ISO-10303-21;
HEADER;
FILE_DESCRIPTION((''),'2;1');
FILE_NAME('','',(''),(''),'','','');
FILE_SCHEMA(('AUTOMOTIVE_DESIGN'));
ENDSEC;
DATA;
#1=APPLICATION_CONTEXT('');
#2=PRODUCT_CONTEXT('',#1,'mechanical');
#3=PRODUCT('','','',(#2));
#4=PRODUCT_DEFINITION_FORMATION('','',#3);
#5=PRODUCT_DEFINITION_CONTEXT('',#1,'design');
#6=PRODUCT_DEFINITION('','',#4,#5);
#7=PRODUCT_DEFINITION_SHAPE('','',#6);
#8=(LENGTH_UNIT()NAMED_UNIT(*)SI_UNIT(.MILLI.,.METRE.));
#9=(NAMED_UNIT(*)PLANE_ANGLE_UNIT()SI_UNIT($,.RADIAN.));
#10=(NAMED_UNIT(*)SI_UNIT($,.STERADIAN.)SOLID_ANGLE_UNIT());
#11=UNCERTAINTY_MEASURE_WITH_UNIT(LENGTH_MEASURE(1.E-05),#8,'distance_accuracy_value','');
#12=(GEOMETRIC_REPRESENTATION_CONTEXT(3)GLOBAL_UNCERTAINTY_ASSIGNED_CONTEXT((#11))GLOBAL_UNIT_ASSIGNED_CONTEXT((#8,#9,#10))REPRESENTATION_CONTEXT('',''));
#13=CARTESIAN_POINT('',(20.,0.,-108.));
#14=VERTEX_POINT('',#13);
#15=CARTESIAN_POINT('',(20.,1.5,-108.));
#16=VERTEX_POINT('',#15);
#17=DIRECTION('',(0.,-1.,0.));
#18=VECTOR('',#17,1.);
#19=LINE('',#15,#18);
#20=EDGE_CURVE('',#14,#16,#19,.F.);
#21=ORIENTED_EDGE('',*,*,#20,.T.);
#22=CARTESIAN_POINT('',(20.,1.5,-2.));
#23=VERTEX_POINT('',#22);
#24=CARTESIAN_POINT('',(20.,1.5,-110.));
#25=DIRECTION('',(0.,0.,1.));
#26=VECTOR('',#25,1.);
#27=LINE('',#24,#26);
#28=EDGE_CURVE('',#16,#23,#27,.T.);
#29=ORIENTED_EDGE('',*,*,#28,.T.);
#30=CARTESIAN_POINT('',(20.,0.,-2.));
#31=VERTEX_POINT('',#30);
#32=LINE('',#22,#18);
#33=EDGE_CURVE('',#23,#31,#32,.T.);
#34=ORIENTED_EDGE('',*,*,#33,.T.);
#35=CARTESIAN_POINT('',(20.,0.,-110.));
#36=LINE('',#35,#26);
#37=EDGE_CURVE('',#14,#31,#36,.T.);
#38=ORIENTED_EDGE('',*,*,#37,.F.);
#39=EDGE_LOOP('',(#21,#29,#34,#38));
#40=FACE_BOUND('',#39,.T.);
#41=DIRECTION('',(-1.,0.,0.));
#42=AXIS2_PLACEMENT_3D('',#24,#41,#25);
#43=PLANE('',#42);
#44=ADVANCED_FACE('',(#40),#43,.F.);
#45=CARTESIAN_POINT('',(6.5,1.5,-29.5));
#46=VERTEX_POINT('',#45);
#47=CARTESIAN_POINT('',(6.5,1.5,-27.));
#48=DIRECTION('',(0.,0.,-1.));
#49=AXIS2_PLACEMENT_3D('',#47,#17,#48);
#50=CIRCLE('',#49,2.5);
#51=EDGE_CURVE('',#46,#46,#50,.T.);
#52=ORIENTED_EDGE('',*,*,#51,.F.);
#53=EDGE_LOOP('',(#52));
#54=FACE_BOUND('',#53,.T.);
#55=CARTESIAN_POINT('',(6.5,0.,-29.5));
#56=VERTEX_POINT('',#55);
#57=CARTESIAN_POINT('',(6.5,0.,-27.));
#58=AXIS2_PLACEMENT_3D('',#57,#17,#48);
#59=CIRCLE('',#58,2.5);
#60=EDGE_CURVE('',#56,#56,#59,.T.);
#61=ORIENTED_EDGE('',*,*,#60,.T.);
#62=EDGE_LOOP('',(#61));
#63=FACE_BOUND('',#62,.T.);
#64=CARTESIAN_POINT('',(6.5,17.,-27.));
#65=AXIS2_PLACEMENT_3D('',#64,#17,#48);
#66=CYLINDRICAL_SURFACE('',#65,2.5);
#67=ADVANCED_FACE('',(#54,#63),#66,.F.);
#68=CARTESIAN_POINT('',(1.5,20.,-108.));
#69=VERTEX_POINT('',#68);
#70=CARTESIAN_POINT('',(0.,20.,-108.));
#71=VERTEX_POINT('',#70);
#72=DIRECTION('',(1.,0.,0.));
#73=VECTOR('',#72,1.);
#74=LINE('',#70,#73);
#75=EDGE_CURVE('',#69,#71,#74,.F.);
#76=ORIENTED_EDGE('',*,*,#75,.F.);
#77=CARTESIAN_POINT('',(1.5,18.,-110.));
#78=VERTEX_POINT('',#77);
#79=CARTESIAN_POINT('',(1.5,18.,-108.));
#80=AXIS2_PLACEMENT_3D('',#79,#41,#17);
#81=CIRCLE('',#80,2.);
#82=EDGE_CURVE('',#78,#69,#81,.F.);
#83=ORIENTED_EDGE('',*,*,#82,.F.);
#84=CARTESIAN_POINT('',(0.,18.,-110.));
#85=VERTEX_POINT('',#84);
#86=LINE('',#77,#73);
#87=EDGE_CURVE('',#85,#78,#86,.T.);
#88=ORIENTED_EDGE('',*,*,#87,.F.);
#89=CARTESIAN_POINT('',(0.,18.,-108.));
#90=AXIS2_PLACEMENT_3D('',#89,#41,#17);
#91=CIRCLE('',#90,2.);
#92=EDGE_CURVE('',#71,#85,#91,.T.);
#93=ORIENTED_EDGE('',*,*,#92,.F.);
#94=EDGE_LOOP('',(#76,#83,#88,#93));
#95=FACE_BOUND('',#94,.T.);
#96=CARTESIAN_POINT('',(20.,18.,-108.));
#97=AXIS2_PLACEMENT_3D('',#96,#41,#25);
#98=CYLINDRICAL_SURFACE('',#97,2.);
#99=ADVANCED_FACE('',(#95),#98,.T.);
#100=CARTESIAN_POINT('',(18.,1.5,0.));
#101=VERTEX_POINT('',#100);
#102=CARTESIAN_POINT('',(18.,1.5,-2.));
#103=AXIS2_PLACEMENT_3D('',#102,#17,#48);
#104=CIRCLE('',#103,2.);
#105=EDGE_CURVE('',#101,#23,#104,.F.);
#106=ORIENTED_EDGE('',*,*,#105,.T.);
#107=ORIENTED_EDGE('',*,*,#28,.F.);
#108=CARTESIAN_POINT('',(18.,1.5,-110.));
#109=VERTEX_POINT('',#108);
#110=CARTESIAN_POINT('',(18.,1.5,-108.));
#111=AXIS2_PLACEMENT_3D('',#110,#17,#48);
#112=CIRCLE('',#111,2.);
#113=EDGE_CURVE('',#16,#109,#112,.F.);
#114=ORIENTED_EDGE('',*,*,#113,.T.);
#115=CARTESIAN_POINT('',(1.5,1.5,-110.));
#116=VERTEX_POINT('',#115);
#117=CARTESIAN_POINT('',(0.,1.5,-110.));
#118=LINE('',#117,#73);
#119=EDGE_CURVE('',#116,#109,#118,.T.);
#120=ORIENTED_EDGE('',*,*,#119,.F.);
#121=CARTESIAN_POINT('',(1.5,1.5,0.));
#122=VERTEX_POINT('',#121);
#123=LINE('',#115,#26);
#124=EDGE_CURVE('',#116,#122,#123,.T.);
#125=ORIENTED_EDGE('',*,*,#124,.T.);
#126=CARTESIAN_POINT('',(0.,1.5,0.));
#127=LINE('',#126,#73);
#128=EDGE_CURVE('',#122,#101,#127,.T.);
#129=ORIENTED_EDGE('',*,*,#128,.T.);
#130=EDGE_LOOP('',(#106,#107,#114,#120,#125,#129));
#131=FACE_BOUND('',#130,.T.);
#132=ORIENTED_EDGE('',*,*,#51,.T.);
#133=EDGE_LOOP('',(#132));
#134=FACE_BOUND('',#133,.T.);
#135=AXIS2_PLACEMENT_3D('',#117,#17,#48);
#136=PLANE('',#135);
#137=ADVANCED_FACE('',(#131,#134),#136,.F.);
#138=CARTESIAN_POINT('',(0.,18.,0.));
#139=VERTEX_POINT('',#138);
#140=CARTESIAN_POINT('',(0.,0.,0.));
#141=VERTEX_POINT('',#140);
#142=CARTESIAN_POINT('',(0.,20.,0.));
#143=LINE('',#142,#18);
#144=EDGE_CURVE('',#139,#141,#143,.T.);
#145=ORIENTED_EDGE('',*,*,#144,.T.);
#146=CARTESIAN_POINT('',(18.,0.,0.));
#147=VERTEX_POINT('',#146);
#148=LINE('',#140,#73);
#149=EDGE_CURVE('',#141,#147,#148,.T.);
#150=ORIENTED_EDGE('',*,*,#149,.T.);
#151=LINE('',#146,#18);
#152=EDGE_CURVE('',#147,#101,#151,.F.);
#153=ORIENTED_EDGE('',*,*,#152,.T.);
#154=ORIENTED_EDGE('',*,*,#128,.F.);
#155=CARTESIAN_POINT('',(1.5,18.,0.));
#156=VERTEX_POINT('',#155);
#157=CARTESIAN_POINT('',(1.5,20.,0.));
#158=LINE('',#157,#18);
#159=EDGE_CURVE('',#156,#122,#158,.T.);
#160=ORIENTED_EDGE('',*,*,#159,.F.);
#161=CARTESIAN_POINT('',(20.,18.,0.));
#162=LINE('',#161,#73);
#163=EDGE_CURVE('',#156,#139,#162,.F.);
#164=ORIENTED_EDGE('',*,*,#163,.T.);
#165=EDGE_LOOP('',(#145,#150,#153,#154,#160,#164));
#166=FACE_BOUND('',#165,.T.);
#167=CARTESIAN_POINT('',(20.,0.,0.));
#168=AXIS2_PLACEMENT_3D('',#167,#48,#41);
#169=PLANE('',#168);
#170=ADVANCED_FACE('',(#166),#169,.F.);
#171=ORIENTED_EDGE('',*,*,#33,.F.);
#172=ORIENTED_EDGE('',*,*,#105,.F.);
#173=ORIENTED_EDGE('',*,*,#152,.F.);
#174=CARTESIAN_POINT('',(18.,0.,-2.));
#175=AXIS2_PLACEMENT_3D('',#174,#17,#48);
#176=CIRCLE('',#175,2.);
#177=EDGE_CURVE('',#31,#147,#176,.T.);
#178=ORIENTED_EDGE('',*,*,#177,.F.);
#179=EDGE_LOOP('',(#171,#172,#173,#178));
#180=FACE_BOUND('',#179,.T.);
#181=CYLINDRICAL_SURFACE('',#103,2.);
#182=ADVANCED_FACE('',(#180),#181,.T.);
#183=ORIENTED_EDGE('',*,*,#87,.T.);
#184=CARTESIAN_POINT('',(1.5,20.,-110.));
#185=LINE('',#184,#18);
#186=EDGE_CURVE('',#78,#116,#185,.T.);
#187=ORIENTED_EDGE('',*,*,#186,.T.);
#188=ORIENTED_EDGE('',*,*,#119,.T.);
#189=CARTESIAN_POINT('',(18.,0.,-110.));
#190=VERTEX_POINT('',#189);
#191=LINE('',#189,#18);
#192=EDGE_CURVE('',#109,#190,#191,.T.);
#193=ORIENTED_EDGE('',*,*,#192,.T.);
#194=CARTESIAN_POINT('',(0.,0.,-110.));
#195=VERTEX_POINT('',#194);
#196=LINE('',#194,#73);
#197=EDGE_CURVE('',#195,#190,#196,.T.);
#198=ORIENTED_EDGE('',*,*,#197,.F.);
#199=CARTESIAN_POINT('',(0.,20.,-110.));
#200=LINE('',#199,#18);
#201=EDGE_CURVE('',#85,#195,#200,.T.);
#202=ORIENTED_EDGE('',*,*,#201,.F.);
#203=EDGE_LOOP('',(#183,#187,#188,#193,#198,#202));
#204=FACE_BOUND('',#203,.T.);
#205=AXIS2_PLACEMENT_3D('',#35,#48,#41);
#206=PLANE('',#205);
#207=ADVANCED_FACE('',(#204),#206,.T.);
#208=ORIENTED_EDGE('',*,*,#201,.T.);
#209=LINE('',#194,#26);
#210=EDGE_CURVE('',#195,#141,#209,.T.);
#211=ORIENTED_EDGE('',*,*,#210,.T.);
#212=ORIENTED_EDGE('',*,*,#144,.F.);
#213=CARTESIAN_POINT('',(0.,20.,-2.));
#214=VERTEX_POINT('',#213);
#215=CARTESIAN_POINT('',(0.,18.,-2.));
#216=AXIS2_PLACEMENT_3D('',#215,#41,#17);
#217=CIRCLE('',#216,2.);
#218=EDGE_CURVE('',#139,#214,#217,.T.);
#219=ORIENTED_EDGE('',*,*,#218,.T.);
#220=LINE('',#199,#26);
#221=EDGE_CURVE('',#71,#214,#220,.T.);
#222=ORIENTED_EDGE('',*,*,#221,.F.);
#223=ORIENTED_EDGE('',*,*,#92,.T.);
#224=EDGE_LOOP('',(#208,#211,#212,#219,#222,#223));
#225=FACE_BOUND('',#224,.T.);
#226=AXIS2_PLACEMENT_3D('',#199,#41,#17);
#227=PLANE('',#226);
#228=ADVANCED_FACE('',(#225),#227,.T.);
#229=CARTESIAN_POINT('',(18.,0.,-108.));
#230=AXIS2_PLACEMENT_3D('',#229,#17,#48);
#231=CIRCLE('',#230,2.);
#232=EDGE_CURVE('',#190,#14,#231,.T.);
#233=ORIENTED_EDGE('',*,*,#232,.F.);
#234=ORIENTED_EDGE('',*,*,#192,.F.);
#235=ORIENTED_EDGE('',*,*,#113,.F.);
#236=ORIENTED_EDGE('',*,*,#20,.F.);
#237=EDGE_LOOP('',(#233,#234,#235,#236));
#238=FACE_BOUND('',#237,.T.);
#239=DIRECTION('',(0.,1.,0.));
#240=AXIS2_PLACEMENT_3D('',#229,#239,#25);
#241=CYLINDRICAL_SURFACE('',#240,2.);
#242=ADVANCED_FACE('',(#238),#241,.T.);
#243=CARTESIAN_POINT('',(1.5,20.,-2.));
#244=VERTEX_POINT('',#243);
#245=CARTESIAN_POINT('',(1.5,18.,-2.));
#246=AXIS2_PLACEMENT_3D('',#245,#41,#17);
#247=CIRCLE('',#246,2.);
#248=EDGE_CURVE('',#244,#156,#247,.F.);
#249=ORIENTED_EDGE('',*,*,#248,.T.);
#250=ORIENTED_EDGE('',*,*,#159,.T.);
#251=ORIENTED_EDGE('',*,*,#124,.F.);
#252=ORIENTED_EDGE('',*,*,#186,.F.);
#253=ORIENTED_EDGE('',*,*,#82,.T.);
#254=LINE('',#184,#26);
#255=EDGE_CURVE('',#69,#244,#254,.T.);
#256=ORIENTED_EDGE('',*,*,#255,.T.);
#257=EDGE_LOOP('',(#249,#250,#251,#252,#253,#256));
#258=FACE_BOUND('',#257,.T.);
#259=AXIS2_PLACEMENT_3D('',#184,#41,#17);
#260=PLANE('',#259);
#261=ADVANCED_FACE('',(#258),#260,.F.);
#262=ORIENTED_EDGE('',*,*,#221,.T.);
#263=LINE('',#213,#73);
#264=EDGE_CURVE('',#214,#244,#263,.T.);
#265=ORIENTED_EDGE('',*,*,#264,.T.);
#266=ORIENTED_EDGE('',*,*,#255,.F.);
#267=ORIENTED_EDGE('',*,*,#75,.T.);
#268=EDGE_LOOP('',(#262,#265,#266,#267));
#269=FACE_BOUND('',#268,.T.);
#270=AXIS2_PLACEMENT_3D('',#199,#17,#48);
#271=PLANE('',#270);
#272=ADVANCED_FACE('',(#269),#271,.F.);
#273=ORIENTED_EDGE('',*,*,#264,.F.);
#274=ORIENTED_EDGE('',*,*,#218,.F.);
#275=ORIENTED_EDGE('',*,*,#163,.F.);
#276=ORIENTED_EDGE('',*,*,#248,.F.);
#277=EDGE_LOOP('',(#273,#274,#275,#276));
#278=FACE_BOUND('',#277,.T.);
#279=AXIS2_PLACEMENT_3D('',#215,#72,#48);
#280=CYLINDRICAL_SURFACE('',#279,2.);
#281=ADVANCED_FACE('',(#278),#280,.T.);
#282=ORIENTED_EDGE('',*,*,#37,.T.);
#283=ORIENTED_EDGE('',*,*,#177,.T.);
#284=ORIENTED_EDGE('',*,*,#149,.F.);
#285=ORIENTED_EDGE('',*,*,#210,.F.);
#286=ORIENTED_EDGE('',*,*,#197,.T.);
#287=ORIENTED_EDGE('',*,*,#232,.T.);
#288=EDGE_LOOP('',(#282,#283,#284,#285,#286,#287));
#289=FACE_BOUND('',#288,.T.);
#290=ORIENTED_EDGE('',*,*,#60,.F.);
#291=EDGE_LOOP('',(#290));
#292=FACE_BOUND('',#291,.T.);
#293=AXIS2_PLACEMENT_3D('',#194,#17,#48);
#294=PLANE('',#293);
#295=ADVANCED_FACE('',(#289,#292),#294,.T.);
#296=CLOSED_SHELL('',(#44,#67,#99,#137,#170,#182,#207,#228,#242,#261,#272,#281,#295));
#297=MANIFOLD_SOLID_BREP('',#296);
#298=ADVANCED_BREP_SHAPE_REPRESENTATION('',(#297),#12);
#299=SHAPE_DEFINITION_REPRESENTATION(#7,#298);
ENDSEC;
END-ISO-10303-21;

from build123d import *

# Parameters (mm, degrees)
LINEAR_AUSTRAGEN_D_NN1_DEPTH    = 110
SKIZZE2_R                       = 2.5
SCHNITT_LINEAR_AUSTRAGEN1_DEPTH = 17
VERRUNDUNG1_R                   = 2


with BuildPart() as part:
    # Skizze1 → Linear-Austragen-Dünn1 (new body)
    with BuildSketch(Plane.XY):
        Polygon((0, 20), (0, 0), (20, 0), (20, 1.5), (1.5, 1.5), (1.5, 20), align=None)
    extrude(amount=-LINEAR_AUSTRAGEN_D_NN1_DEPTH)

    # Skizze2 → Schnitt-Linear austragen1 (cut)
    with BuildSketch(Plane.XZ):
        with Locations(Location((6.5, -27, 0), (0, 0, 270))):
            Circle(SKIZZE2_R)
    extrude(amount=-SCHNITT_LINEAR_AUSTRAGEN1_DEPTH, mode=Mode.SUBTRACT)

    # Verrundung1
    verrundung1_edges = [part.edges().sort_by_distance(p)[0] for p in [
        (0.75, 20, -110),
        (0.75, 20, 0),
        (20, 0.75, 0),
        (20, 0.75, -110),
    ]]
    fillet(verrundung1_edges, radius=VERRUNDUNG1_R)


solid = part.part
